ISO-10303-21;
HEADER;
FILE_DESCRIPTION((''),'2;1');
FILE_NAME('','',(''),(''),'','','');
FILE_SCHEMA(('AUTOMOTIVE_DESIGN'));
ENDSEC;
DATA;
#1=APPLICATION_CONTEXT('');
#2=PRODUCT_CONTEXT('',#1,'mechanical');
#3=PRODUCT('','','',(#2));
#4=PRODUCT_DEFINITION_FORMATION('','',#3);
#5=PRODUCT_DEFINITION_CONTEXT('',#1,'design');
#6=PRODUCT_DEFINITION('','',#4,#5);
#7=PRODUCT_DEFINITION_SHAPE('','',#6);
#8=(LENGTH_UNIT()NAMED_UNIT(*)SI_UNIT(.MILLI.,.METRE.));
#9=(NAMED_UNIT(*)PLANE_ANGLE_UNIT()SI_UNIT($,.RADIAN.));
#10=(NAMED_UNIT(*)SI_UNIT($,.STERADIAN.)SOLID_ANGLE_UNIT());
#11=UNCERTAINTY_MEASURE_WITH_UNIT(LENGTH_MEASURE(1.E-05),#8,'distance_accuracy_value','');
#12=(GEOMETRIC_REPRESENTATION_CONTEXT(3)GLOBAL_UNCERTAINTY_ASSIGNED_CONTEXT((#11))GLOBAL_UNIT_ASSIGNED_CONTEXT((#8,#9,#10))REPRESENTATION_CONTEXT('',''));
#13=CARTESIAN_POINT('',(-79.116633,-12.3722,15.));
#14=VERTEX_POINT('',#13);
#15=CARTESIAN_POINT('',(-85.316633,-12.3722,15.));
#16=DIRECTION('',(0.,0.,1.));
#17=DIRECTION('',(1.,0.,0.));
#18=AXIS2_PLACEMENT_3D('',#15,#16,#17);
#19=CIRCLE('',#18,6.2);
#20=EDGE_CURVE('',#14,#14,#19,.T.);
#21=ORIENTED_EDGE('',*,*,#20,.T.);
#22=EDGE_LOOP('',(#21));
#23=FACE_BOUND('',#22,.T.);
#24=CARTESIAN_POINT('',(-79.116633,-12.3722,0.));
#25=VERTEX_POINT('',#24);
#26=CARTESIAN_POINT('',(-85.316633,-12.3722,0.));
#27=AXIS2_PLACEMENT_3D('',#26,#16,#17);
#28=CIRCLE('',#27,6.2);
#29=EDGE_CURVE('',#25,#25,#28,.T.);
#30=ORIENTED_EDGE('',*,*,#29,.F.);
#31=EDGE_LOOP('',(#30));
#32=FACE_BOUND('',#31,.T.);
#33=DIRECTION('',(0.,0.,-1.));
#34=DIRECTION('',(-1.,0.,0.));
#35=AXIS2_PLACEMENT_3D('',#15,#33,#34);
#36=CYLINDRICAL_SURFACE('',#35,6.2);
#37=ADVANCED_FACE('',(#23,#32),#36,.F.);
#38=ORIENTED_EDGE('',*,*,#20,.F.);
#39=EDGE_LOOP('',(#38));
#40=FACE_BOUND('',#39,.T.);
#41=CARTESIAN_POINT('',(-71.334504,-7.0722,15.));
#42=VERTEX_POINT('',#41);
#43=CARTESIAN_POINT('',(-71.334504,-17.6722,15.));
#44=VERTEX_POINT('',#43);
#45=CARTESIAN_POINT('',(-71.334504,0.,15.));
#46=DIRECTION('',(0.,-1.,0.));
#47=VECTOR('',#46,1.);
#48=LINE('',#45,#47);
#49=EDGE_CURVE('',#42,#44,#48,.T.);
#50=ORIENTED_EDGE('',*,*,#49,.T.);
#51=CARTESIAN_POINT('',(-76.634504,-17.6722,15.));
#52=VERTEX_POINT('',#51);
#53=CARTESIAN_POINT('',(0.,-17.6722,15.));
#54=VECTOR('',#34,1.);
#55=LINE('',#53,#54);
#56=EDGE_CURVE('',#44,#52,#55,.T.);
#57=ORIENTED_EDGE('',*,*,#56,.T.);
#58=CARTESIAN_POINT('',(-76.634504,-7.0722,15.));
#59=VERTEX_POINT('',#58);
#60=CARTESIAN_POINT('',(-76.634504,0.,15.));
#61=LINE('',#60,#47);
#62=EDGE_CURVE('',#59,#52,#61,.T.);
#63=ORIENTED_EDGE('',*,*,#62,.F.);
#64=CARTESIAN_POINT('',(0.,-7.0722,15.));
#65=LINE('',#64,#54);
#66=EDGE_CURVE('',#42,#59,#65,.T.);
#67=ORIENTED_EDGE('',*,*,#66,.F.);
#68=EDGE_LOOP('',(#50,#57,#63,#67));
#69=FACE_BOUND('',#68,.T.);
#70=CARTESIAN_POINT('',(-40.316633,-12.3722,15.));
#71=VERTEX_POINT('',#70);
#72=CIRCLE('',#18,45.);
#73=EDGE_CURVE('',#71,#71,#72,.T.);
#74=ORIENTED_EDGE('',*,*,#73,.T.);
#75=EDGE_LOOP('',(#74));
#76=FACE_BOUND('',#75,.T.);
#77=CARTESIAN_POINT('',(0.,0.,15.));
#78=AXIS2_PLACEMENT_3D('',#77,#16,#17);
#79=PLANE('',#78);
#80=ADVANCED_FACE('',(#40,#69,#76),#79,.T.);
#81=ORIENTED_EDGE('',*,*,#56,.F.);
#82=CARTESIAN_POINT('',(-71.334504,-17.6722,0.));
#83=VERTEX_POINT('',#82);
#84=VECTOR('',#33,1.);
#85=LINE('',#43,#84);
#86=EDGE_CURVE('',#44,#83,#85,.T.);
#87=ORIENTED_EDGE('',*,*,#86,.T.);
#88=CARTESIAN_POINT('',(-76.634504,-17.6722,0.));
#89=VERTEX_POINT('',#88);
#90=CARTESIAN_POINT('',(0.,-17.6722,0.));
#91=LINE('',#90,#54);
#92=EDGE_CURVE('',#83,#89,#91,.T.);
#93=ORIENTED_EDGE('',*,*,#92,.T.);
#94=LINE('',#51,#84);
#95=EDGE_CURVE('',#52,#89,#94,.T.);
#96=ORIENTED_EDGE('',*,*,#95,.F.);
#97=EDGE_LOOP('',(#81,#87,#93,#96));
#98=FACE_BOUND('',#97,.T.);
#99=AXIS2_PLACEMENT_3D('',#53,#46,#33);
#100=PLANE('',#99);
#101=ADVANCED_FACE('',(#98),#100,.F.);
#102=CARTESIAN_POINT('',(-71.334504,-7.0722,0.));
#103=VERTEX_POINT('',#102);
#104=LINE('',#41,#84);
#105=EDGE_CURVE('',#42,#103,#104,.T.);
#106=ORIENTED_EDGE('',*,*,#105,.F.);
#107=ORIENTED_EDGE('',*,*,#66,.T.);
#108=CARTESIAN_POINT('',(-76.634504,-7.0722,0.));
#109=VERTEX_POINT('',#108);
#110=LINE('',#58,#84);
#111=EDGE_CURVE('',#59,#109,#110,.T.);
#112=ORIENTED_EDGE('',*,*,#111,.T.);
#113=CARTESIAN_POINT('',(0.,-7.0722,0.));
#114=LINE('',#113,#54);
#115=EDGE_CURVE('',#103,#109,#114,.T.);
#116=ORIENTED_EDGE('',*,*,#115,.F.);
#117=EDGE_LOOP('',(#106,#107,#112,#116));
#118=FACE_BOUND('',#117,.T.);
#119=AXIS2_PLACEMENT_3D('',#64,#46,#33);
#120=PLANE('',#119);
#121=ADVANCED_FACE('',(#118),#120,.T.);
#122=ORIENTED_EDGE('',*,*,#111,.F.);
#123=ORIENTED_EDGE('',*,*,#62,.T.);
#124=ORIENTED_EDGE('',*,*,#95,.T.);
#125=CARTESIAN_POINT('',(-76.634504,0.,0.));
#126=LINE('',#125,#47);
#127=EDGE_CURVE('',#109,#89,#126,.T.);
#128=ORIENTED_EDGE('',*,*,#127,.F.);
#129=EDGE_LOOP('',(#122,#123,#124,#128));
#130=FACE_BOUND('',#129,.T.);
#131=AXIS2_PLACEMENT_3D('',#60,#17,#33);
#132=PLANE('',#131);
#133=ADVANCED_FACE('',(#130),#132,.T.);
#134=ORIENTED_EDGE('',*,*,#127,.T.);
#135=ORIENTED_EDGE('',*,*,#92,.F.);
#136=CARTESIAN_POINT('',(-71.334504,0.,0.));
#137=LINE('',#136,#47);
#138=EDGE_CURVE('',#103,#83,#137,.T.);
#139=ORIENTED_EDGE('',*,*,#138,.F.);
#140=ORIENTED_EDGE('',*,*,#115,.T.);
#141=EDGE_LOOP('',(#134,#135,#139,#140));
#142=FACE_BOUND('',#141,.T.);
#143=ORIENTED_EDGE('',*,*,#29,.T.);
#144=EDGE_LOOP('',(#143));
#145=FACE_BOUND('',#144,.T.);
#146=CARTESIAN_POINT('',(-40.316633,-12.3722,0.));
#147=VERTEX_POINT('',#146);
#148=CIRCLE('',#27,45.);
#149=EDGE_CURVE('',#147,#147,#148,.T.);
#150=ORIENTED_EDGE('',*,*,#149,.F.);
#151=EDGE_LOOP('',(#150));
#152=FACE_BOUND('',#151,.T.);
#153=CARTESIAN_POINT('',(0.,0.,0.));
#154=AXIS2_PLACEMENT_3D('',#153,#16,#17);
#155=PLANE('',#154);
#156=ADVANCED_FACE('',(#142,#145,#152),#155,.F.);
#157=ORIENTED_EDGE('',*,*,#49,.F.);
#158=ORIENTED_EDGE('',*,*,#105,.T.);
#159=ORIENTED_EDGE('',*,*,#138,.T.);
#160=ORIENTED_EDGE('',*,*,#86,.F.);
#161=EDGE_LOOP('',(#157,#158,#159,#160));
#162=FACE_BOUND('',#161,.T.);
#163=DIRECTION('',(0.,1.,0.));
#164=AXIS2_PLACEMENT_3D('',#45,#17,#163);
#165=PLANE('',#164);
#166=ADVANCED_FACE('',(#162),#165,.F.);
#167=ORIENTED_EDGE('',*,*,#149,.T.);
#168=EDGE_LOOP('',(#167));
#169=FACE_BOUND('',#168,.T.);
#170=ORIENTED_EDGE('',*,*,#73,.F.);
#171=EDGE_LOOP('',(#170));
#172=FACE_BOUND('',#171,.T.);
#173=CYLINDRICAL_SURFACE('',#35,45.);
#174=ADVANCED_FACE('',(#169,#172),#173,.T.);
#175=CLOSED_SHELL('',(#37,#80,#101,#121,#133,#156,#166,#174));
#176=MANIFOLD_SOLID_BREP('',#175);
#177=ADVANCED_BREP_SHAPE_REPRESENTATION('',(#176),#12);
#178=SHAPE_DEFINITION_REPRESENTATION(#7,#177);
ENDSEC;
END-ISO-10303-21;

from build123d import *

# Parameters (mm, degrees)
SKETCH1_R           = 45
SKETCH1_R_2         = 6.2
SKETCH1_W           = 5.3
SKETCH1_H           = 10.6
BOSS_EXTRUDE1_DEPTH = 15


with BuildPart() as part:
    # Sketch1 → Boss-Extrude1 (new body)
    with BuildSketch(Plane.XY):
        with Locations((-85.316632571, -12.372200494)):
            Circle(SKETCH1_R)
        with Locations((-85.316632571, -12.372200494)):
            Circle(SKETCH1_R_2, mode=Mode.SUBTRACT)
        with Locations((-73.984503587, -12.372200494)):
            Rectangle(SKETCH1_W, SKETCH1_H, mode=Mode.SUBTRACT)
    extrude(amount=BOSS_EXTRUDE1_DEPTH)


solid = part.part
